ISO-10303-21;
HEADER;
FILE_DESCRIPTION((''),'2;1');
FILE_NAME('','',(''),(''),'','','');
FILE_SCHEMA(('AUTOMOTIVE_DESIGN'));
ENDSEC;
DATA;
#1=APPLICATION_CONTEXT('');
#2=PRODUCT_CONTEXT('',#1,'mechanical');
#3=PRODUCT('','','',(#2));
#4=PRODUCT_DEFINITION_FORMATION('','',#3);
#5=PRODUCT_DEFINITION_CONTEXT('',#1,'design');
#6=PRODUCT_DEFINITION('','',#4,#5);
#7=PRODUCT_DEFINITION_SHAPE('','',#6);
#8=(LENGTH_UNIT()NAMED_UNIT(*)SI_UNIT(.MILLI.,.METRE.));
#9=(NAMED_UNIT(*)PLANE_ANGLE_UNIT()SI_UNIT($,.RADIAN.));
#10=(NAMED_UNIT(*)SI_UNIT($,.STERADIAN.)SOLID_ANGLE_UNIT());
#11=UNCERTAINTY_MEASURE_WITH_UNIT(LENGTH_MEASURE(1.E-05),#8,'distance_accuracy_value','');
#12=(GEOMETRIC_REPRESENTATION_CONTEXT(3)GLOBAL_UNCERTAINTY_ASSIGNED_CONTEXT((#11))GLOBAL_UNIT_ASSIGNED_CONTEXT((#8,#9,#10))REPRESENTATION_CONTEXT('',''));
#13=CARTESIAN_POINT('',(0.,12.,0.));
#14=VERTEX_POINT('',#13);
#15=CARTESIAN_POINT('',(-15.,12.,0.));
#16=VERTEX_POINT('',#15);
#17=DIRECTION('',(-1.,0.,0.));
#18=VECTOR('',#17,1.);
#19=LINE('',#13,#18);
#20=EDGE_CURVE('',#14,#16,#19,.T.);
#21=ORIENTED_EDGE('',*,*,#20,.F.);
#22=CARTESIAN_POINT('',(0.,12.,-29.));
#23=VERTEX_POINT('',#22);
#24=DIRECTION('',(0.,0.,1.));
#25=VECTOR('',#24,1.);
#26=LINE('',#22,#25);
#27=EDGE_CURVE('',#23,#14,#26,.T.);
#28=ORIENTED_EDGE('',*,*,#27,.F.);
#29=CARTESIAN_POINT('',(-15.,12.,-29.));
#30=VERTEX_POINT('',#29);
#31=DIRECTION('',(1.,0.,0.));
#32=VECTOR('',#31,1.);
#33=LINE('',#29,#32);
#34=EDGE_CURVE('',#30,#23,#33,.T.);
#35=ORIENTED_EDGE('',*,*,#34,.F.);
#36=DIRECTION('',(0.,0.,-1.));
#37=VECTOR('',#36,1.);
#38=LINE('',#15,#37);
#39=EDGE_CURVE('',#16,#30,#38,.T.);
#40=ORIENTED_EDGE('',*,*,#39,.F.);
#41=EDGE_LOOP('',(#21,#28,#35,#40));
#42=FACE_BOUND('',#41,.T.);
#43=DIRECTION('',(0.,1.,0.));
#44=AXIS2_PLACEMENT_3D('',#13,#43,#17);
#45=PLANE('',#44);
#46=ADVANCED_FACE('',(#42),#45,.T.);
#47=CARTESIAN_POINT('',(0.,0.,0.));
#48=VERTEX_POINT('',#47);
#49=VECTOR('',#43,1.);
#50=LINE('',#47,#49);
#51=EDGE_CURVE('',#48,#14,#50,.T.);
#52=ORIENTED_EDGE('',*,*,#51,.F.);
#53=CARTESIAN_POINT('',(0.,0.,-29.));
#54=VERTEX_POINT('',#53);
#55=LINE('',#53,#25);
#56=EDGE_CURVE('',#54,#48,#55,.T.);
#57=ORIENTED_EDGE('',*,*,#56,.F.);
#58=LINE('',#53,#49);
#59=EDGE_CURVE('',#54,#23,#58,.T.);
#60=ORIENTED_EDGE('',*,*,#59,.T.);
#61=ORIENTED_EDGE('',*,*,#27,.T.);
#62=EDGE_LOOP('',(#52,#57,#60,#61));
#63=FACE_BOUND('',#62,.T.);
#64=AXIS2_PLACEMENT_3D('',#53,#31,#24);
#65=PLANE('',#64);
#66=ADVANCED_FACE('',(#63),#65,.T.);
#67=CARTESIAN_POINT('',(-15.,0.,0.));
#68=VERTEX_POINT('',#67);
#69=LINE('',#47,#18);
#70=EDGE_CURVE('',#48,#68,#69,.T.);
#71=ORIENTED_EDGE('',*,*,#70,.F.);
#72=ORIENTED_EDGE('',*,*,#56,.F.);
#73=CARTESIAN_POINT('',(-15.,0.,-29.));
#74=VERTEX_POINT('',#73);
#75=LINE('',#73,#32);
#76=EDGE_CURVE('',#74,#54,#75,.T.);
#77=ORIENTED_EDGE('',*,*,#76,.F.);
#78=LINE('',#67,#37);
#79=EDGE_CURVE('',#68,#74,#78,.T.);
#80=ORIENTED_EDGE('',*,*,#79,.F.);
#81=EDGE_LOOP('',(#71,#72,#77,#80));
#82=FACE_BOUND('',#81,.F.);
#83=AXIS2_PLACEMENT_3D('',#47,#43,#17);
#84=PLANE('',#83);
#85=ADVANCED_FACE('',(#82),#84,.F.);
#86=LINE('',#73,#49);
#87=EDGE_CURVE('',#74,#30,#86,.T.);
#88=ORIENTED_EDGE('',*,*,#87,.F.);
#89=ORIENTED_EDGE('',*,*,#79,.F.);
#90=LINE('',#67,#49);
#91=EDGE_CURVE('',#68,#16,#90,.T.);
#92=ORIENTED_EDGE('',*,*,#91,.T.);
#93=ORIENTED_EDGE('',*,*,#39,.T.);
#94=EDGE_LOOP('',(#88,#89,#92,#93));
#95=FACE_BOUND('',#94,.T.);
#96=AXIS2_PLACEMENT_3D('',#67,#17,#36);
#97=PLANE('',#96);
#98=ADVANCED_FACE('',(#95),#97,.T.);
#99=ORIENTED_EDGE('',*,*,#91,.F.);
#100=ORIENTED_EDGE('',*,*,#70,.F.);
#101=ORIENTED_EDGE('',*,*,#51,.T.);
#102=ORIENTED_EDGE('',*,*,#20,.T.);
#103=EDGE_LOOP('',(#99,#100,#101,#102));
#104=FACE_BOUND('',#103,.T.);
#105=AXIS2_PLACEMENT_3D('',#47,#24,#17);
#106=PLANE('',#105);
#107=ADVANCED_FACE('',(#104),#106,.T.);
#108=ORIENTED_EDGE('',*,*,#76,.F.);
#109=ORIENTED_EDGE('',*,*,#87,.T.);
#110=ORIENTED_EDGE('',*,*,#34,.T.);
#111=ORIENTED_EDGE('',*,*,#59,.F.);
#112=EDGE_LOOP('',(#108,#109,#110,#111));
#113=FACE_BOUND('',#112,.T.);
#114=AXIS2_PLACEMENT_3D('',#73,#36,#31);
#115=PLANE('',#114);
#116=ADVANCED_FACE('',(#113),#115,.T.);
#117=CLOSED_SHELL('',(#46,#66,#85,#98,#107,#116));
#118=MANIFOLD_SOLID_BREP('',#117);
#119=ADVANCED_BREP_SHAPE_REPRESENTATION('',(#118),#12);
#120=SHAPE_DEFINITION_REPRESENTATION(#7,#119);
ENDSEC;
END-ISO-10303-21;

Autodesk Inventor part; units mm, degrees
ref_plane "YZ Plane" through (0, 0, 0) normal (1, 0, 0) x (0, 1, 0)
ref_plane "XZ Plane" through (0, 0, 0) normal (0, 1, 0) x (-1, 0, 0)
ref_plane "XY Plane" through (0, 0, 0) normal (0, 0, 1) x (1, 0, 0)
sketch "Sketch1" plane through (0, 0, 0) normal (0, 1, 0) x (-1, 0, 0)
  line L0 (0, 0) -> (15, 0)
  line L1 (15, 0) -> (15, -29)
  line L2 (15, -29) -> (0, -29)
  line L3 (0, -29) -> (0, 0)
  dimension "d0" = 15
  dimension "d1" = 29
extrude "Extrusion1" add sketch "Sketch1" along normal blind 12
properties part number "NRF24L01+"
